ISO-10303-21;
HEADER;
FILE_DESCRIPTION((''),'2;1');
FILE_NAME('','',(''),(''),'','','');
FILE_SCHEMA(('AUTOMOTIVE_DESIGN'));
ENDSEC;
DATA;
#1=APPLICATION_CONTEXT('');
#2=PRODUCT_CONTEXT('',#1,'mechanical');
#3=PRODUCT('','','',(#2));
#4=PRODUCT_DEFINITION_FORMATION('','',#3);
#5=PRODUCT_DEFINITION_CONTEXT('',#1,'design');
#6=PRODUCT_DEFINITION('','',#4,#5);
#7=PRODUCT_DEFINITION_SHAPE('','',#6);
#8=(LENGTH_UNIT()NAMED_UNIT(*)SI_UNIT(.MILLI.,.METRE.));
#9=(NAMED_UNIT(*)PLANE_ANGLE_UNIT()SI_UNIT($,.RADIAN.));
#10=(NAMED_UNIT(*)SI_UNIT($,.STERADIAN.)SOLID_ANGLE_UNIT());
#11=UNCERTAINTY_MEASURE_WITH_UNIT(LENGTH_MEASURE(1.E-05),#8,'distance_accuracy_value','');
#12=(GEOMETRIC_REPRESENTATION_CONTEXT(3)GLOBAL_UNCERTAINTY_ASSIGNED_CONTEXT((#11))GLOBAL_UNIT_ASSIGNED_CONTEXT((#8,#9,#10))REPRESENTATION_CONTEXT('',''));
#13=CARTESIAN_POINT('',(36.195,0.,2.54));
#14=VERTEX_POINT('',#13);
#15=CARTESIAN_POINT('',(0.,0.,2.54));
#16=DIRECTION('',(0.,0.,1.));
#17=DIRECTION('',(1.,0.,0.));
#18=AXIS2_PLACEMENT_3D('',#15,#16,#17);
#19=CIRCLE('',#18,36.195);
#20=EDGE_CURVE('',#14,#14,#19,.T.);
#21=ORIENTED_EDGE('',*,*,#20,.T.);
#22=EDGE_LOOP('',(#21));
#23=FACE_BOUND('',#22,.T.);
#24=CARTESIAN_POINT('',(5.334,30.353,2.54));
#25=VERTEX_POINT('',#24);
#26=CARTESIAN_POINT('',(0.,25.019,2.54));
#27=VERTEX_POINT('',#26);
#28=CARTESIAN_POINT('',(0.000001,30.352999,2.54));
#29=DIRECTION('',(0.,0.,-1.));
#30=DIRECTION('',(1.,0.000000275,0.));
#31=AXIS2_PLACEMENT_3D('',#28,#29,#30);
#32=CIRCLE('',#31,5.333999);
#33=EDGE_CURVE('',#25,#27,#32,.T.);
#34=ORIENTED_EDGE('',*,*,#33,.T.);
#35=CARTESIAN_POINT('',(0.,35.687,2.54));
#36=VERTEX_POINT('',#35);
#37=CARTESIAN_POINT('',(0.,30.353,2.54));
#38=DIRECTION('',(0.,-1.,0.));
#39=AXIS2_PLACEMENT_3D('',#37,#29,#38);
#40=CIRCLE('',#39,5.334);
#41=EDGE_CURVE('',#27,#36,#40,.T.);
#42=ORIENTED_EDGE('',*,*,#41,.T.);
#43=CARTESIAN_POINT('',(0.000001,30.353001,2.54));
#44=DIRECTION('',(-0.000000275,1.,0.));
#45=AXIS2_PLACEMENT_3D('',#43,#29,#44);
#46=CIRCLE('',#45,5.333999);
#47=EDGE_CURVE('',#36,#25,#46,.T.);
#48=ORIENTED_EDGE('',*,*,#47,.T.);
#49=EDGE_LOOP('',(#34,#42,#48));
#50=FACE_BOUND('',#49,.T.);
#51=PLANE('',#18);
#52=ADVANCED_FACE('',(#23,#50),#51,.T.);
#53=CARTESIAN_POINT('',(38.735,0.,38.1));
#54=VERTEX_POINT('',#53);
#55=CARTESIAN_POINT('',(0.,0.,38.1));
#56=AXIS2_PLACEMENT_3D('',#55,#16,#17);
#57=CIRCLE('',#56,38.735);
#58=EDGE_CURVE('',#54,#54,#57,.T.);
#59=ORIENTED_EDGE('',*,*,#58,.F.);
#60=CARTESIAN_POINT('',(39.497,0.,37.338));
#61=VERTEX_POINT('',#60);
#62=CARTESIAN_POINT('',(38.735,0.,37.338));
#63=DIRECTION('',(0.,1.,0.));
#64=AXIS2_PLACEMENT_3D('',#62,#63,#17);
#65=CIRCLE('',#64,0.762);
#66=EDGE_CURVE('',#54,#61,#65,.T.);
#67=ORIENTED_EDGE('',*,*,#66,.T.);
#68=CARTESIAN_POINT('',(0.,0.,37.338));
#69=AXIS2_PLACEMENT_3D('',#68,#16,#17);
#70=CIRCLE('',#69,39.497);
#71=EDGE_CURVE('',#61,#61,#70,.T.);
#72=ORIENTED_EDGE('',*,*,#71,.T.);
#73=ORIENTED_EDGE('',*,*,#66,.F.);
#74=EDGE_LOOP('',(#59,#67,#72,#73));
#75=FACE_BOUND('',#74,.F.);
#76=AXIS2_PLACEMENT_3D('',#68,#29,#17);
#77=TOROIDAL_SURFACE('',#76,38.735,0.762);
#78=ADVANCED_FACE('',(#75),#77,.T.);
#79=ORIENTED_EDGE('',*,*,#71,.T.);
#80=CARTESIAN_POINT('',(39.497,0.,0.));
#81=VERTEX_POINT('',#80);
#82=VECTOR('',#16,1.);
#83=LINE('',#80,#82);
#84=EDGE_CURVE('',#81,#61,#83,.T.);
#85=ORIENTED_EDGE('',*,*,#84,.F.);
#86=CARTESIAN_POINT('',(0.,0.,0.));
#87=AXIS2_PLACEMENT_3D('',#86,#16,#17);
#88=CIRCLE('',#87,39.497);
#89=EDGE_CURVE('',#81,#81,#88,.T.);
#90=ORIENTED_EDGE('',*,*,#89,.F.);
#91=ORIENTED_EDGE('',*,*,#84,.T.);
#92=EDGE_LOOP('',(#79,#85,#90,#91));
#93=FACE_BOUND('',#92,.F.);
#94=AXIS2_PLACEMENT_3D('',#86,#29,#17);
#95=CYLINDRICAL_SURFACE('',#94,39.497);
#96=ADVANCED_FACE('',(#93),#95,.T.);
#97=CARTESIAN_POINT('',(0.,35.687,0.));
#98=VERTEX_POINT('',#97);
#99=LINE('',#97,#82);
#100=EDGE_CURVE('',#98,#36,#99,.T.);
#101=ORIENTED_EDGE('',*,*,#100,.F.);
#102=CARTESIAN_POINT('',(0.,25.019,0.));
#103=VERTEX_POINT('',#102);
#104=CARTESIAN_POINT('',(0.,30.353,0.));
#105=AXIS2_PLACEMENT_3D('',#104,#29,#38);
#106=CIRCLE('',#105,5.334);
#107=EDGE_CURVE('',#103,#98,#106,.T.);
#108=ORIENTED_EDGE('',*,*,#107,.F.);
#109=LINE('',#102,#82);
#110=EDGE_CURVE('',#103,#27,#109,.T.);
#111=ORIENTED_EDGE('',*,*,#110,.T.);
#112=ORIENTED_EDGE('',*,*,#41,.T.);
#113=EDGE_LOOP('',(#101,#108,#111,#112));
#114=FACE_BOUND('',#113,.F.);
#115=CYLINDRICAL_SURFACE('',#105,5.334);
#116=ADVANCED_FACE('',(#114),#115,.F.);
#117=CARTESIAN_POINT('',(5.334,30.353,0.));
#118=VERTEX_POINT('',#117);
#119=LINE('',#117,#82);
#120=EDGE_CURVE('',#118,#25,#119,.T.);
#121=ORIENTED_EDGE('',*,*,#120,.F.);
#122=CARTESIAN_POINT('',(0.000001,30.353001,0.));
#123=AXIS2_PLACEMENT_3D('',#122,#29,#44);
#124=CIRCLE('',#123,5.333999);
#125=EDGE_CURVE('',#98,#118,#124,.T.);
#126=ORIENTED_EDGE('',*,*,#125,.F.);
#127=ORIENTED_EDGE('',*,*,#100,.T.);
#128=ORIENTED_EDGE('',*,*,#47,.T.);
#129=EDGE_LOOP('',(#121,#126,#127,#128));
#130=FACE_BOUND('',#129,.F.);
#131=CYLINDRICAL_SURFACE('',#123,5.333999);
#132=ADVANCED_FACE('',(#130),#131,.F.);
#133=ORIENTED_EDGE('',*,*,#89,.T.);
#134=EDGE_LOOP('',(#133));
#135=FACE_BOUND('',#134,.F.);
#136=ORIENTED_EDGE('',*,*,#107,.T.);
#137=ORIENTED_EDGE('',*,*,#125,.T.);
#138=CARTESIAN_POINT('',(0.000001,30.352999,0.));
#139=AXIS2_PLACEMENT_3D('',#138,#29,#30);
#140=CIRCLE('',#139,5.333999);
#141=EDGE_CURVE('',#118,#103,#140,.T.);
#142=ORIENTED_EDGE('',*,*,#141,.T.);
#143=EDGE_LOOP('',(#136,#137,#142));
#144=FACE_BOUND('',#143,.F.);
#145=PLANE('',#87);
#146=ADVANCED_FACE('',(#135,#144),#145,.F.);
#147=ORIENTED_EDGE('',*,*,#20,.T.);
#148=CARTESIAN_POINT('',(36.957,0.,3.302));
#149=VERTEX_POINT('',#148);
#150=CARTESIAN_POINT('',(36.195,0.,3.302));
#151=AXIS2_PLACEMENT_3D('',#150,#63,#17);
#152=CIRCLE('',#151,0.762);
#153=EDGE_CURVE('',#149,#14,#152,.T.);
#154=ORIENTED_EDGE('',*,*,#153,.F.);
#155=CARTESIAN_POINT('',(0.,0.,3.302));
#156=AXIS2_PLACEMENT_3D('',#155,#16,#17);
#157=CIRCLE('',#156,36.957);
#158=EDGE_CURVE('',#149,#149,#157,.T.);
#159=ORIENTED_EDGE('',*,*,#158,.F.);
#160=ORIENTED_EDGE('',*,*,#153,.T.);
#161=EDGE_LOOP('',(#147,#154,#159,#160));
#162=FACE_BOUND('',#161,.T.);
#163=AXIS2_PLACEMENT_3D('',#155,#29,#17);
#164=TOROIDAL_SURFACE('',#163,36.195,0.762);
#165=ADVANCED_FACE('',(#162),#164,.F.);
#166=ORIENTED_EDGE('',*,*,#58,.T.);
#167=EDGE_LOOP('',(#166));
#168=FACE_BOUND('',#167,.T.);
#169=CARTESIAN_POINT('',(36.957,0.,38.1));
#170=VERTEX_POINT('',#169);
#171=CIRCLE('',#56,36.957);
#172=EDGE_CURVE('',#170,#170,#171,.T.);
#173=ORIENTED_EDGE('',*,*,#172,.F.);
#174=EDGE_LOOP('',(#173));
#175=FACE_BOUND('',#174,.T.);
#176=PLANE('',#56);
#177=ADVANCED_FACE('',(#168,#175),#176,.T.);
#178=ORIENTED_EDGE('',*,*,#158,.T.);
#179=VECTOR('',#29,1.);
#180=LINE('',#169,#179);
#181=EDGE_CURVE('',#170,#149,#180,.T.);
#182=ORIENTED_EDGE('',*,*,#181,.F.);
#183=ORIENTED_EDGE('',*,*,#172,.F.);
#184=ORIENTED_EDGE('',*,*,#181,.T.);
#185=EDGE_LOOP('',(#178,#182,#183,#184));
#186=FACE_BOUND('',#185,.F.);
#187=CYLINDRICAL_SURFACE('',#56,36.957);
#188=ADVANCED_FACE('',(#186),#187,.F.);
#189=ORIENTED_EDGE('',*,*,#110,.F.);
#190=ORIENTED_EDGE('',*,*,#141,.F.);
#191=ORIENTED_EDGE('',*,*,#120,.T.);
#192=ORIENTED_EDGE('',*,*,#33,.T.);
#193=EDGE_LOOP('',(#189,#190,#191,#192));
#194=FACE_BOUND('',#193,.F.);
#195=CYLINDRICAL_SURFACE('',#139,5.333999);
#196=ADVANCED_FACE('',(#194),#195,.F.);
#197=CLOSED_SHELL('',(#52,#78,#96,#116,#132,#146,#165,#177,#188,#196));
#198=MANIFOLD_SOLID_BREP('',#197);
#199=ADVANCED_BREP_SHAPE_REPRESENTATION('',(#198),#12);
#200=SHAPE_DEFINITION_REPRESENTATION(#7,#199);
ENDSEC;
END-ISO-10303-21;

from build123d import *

# Parameters (mm, degrees)
F0_R     = 39.497
F1_DEPTH = 38.1
F2_R     = 36.957
F3_DEPTH = 35.56
F4_R     = 0.762
F5_R     = 0.762
F7_DEPTH = 25.4


with BuildPart() as f1:
    # F0 (on Top) → F1 (new body)
    with BuildSketch(Plane.XY):
        Circle(F0_R)
    extrude(amount=F1_DEPTH)

    # F2 (on face) → F3 (cut)
    with BuildSketch(Plane.XY.offset(38.1)):
        Circle(F2_R)
    extrude(amount=-F3_DEPTH, mode=Mode.SUBTRACT)

    # F4
    f4_edges = [f1.edges().sort_by_distance(p)[0] for p in [
        (-36.957, 0, 2.54),
    ]]
    fillet(f4_edges, radius=F4_R)

    # F5
    f5_edges = [f1.edges().sort_by_distance(p)[0] for p in [
        (-39.497, 0, 38.1),
    ]]
    fillet(f5_edges, radius=F5_R)

    # F6 (on face) → F7 (cut)
    with BuildSketch(Plane(origin=(0, 0, 0), x_dir=(1, 0, 0), z_dir=(0, 0, -1))):
        with BuildLine():
            Line((0, -25.019), (0, -30.353))
            Line((0, -30.353), (0, -35.687))
            ThreePointArc((0, -35.687), (3.771708, -34.124708), (5.334, -30.353))
            ThreePointArc((5.334, -30.353), (3.771708, -26.581292), (0, -25.019))
        make_face()
        with BuildLine():
            Line((0, -35.687), (0, -30.353))
            Line((0, -30.353), (0, -25.019))
            ThreePointArc((0, -25.019), (-5.334, -30.353), (0, -35.687))
        make_face()
    extrude(amount=-F7_DEPTH, mode=Mode.SUBTRACT)


solid = f1.part
